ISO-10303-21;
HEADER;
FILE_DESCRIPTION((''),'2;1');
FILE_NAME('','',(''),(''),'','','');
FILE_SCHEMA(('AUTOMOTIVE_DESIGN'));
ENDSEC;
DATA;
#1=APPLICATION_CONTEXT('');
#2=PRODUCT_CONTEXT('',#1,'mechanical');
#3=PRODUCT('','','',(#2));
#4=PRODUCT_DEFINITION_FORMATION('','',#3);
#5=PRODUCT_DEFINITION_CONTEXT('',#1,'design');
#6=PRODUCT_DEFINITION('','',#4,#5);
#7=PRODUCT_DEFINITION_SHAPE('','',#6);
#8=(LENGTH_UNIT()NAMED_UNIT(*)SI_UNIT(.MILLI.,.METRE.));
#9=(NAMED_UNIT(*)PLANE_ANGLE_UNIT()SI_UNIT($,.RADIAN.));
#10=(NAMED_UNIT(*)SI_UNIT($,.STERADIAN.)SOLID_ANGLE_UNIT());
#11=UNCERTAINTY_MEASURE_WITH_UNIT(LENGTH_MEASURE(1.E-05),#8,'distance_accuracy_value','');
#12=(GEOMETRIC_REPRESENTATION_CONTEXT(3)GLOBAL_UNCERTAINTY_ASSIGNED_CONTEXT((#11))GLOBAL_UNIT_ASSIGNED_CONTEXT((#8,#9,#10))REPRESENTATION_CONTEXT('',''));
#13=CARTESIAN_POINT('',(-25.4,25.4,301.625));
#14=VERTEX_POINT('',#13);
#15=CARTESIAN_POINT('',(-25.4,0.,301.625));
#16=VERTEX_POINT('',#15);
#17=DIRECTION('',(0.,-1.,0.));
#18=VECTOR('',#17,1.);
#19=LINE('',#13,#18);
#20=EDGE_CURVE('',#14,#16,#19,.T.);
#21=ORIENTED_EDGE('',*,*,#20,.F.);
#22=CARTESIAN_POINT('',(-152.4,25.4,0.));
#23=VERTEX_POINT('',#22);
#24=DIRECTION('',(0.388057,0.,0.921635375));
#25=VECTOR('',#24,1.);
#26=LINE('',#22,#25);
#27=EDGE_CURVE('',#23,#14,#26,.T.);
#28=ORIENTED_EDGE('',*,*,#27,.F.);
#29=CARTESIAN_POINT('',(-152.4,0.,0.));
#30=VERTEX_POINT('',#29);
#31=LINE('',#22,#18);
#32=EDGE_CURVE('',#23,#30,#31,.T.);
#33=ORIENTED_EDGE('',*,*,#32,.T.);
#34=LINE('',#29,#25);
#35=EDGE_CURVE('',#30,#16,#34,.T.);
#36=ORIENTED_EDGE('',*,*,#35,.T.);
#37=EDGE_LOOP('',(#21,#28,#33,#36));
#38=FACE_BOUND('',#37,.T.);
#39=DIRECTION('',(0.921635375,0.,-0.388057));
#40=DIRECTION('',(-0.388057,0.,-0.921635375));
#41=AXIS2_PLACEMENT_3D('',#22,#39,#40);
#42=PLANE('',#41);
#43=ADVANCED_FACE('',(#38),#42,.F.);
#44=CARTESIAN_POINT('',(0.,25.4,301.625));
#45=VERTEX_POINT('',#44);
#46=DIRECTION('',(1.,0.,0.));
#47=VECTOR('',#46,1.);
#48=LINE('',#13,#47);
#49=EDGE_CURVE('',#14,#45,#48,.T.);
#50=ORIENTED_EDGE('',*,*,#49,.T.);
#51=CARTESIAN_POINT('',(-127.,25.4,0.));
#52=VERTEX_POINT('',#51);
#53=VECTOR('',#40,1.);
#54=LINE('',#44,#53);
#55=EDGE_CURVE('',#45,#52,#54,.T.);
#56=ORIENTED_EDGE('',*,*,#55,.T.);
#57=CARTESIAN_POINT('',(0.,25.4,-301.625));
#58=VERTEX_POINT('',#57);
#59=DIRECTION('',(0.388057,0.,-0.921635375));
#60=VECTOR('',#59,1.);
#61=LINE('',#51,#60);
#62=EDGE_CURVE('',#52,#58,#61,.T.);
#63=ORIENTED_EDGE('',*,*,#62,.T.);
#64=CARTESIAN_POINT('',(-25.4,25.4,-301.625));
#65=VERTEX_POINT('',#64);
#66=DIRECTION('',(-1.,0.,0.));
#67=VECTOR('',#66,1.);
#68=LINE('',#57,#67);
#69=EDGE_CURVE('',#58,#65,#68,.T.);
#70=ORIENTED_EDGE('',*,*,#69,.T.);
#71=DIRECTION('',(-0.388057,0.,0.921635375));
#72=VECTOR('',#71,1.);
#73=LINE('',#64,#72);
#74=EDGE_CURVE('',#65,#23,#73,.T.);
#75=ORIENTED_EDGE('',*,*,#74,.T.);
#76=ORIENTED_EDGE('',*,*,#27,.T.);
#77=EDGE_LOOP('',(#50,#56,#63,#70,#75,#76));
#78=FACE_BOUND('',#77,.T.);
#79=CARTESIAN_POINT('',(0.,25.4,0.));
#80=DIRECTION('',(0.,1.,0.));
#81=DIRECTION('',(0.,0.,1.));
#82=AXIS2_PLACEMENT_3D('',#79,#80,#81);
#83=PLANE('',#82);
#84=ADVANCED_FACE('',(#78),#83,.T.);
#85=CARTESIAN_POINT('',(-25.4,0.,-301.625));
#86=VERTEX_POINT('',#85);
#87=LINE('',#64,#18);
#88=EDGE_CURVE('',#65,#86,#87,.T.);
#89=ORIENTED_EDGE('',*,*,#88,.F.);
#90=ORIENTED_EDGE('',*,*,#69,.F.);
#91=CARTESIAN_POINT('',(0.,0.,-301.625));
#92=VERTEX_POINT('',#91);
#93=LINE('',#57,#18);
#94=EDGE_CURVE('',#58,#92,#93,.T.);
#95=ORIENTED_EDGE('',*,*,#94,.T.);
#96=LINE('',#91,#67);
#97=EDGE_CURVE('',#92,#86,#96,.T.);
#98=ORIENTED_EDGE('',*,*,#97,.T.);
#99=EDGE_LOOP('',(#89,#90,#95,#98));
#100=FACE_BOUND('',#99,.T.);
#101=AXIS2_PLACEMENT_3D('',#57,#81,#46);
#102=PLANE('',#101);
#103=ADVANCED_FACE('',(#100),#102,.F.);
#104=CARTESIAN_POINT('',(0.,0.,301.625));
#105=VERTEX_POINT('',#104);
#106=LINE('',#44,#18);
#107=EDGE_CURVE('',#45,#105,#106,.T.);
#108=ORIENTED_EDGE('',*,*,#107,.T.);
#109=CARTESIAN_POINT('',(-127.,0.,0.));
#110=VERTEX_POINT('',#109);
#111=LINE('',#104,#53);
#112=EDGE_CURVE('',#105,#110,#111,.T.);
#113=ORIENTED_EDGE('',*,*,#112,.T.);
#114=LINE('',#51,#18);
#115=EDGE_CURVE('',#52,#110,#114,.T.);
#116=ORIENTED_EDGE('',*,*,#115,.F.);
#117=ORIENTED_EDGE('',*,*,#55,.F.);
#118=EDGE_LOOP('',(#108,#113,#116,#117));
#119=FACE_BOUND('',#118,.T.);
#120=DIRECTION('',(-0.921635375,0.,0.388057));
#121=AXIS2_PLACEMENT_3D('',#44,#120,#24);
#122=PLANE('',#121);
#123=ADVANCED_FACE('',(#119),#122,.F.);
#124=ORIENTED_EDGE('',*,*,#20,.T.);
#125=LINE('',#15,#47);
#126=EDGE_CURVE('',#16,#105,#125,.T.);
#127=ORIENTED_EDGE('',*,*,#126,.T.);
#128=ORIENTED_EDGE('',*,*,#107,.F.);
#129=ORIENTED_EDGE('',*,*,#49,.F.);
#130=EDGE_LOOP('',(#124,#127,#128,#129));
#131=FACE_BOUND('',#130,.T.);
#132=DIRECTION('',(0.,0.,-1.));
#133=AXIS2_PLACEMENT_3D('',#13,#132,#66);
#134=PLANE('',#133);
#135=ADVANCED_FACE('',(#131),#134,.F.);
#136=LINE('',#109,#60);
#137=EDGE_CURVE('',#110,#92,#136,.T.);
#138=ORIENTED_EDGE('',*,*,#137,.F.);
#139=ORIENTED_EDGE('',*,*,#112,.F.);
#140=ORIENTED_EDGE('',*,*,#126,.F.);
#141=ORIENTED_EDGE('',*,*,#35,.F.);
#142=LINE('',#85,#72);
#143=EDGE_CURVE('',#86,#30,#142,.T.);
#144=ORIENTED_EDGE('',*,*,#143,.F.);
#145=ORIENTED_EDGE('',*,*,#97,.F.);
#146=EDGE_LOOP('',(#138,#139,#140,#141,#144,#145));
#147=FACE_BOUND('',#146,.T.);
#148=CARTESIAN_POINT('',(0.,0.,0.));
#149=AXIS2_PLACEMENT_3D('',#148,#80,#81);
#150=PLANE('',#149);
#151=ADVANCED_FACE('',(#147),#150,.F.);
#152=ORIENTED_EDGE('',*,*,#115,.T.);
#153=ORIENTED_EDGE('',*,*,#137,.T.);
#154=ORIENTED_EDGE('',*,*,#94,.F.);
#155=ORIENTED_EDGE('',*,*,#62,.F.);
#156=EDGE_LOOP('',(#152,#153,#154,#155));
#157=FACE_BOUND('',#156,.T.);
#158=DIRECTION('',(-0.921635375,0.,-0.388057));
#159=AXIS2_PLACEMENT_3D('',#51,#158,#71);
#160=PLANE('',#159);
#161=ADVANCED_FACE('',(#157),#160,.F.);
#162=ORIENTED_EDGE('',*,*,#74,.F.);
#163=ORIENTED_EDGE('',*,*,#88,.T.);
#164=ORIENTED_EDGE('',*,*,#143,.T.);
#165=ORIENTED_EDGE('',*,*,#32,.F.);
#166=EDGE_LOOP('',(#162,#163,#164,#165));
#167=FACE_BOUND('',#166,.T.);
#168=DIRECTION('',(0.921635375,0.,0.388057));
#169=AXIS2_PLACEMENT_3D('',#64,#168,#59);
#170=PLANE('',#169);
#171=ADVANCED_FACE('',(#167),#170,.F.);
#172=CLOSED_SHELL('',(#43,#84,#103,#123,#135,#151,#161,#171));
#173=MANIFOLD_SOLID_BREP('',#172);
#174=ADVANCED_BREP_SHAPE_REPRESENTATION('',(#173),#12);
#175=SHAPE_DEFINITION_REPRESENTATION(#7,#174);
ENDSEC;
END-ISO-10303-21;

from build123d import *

# Parameters (mm, degrees)
BOSS_EXTRUDE1_DEPTH = 25.4


with BuildPart() as part:
    # Sketch1 → Boss-Extrude1 (new body)
    with BuildSketch(Plane(origin=(0, 0, 0), x_dir=(1, 0, 0), z_dir=(0, 1, 0))):
        Polygon((0, 301.625), (-25.4, 301.625), (-152.4, 0), (-25.4, -301.625), (0, -301.625), (-127, 0), align=None)
    extrude(amount=BOSS_EXTRUDE1_DEPTH)


solid = part.part
